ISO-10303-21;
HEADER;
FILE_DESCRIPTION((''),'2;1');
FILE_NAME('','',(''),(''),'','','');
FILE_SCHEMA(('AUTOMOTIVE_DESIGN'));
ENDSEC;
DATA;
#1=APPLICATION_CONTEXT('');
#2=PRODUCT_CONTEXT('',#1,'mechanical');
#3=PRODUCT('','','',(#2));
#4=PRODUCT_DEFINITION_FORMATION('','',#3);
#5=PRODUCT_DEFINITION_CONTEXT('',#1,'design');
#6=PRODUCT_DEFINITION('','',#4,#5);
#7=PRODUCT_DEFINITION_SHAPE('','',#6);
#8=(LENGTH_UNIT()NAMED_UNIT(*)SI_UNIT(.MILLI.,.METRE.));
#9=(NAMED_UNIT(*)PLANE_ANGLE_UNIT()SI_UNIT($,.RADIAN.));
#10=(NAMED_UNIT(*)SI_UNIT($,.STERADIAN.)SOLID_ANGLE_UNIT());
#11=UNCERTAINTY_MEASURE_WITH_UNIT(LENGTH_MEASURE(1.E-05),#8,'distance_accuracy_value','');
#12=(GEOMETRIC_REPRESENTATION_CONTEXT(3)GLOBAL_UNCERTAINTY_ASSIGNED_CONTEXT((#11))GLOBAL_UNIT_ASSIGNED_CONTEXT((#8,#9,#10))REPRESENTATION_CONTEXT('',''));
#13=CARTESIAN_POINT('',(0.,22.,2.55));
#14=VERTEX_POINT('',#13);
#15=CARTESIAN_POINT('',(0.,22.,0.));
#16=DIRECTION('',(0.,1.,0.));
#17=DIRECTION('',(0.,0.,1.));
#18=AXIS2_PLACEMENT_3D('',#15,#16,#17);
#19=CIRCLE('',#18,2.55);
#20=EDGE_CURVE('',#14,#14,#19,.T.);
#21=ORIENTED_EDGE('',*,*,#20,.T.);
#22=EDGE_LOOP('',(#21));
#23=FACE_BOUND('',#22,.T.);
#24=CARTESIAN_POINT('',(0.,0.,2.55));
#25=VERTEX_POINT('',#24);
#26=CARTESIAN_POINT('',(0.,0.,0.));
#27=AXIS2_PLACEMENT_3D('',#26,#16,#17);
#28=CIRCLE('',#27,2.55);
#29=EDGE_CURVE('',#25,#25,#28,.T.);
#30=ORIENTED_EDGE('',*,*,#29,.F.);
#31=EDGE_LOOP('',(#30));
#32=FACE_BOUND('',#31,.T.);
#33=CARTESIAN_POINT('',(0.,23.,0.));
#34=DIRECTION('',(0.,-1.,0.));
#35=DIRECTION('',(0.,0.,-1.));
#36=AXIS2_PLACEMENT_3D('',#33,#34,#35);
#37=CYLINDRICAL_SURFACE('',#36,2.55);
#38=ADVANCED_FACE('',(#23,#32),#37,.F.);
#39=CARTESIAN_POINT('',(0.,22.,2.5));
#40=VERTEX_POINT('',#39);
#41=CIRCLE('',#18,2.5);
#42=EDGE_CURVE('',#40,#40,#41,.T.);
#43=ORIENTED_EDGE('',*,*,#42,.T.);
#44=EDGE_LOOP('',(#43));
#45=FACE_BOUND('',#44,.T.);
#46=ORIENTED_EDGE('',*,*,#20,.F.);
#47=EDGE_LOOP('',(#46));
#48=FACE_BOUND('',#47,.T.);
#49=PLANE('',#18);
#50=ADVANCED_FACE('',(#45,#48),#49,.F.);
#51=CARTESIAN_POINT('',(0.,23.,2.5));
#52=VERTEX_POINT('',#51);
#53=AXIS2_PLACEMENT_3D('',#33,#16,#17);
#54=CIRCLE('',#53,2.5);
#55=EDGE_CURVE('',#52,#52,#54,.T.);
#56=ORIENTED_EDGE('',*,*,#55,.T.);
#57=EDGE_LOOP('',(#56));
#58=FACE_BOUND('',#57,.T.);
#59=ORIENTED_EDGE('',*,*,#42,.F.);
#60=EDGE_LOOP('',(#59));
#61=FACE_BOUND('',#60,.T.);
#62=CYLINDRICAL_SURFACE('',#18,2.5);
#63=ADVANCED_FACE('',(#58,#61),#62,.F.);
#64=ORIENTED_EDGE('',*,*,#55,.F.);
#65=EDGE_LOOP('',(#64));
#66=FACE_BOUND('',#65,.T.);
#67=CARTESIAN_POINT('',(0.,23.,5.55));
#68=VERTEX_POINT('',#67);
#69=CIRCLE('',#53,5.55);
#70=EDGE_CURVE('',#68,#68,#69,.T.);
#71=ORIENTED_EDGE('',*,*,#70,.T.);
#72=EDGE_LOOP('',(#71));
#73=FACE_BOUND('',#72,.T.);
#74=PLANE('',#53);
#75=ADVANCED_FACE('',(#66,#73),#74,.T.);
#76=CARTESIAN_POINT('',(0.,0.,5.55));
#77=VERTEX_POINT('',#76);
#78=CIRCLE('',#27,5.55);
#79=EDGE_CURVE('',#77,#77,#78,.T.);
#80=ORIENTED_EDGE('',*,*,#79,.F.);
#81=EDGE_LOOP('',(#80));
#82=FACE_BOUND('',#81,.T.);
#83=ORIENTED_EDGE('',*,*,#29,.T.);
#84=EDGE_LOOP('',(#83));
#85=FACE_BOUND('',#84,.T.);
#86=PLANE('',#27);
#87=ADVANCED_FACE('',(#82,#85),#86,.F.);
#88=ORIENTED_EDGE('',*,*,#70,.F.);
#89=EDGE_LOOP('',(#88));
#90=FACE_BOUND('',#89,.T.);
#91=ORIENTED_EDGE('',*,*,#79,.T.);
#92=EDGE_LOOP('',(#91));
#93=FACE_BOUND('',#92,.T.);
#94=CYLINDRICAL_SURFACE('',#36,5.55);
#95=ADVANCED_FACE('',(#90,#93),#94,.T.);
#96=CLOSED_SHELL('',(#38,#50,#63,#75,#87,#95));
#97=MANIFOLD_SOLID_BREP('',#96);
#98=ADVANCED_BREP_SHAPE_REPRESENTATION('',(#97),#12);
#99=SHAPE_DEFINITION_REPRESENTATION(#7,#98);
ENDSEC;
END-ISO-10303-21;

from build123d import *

# Parameters (mm, degrees)
SKETCH_1_R      = 5.55
SKETCH_1_R_2    = 2.55
EXTRUDE_1_DEPTH = 23
EXTRUDE_START   = -1
SKETCH_2_R      = 2.55
SKETCH_2_R_2    = 2.5
EXTRUDE_2_DEPTH = 1


with BuildPart() as part:
    # 草图1 → 凸台-拉伸1 (new body)
    with BuildSketch(Plane(origin=(0, 0, 0), x_dir=(1, 0, 0), z_dir=(0, 1, 0))):
        with Locations(Location((0, 0, 0), (0, 0, 270))):
            Circle(SKETCH_1_R)
        with Locations(Location((0, 0, 0), (0, 0, 270))):
            Circle(SKETCH_1_R_2, mode=Mode.SUBTRACT)
    extrude(amount=EXTRUDE_1_DEPTH)

    # 草图2 → 凸台-拉伸2 (add)
    with BuildSketch(Plane(origin=(0, 23, 0), x_dir=(1, 0, 0), z_dir=(0, 1, 0)).offset(EXTRUDE_START)):
        with Locations(Location((0, 0, 0), (0, 0, 270))):
            Circle(SKETCH_2_R)
        with Locations(Location((0, 0, 0), (0, 0, 270))):
            Circle(SKETCH_2_R_2, mode=Mode.SUBTRACT)
    extrude(amount=EXTRUDE_2_DEPTH)


solid = part.part
